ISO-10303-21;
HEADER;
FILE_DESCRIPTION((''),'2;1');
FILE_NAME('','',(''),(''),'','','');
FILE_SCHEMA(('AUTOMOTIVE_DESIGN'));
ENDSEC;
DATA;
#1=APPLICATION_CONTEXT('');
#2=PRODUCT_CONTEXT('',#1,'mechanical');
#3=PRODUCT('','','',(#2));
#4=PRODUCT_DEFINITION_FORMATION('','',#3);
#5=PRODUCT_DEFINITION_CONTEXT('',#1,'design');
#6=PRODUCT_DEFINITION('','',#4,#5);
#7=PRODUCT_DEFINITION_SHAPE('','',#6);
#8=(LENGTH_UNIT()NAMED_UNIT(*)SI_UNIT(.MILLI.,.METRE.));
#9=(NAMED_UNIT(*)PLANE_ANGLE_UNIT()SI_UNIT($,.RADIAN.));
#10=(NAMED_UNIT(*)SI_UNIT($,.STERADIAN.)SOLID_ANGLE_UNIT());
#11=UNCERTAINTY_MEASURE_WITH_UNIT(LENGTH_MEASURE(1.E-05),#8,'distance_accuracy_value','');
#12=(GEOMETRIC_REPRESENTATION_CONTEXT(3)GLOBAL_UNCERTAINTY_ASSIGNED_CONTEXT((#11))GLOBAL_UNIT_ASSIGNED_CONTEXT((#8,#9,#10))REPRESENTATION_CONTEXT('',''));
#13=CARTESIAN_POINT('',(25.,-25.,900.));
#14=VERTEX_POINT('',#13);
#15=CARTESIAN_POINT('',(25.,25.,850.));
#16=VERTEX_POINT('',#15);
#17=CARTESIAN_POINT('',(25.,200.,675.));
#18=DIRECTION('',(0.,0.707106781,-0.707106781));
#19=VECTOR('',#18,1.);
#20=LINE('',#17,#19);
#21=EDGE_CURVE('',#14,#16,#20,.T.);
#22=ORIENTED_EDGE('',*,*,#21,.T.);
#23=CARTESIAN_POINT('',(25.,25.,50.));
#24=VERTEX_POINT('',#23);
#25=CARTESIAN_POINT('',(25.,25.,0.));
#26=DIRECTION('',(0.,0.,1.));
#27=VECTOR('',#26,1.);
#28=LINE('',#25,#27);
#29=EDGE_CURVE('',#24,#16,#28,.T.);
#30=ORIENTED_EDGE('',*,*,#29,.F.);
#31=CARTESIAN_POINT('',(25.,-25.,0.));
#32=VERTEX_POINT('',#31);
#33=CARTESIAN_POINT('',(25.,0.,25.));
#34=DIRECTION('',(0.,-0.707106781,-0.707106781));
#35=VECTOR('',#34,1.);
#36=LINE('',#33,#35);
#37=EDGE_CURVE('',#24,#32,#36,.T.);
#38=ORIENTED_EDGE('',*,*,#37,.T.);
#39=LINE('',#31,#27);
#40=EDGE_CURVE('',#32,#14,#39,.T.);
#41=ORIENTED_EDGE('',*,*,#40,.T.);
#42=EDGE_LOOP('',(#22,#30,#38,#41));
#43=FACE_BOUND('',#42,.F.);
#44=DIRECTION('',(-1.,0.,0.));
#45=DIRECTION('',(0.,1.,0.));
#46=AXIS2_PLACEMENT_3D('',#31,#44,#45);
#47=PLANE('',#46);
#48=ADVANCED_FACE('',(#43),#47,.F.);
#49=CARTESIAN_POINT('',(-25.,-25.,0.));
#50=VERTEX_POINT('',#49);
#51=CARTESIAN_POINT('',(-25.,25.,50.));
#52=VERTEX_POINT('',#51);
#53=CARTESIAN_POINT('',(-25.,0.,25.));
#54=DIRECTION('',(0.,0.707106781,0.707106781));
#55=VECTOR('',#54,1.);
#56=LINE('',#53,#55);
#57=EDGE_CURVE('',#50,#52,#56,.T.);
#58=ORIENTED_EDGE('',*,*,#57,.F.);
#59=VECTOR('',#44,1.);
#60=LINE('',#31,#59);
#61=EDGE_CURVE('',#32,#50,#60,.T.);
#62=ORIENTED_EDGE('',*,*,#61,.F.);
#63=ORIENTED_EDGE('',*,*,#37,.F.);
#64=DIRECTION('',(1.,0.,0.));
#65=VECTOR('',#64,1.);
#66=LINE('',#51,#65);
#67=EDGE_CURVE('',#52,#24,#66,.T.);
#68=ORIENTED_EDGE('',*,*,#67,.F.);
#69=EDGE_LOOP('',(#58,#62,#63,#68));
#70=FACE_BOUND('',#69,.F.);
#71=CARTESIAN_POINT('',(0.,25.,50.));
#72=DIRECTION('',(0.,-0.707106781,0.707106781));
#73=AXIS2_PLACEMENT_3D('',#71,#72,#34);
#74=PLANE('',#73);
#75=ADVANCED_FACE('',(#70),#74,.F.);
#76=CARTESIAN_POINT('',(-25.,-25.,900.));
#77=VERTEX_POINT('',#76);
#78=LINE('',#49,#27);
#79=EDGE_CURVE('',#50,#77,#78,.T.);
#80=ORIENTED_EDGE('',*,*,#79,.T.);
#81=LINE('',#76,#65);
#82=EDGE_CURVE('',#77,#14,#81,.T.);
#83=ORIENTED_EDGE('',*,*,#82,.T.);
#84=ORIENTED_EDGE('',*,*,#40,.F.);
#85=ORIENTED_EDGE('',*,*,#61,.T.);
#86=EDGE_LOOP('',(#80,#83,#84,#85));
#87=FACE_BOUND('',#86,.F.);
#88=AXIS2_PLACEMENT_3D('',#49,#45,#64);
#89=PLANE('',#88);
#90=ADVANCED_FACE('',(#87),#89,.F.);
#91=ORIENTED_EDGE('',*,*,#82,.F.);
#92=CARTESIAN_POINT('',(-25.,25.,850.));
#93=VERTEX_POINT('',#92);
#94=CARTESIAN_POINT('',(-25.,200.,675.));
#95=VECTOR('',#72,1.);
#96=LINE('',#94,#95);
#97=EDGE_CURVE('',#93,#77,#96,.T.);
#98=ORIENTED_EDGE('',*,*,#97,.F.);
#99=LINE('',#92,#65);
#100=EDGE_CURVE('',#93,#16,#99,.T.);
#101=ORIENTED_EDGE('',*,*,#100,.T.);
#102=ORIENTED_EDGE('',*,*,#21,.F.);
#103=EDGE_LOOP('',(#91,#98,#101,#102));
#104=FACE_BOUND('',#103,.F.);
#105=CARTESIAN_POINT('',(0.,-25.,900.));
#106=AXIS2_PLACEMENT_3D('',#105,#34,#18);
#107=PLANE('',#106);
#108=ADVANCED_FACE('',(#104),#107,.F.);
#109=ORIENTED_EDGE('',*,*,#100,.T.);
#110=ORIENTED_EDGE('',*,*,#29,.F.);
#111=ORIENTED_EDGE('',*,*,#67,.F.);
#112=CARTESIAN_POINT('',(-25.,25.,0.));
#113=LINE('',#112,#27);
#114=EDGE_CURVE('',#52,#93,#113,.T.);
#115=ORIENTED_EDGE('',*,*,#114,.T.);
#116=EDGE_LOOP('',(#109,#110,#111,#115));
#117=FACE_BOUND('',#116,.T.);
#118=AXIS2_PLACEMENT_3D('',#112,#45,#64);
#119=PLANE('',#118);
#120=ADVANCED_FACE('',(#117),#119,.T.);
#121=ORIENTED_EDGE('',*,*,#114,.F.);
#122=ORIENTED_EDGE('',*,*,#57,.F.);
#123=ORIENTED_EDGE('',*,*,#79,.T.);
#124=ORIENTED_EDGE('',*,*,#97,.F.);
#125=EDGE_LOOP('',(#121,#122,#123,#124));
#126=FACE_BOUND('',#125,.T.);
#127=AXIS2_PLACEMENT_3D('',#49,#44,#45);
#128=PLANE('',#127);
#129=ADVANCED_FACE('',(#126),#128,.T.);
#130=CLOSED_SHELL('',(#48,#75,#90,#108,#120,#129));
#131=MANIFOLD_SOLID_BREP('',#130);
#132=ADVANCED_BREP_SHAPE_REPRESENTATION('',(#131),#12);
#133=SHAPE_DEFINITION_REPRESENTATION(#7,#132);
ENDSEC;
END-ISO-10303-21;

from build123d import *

# Parameters (mm, degrees)
F0_W          = 50
F0_H          = 50
F1_DEPTH      = 900
F3_DEPTH      = 25.001
F3_DEPTH_BACK = 25.001
F5_DEPTH      = 25.001
F5_DEPTH_BACK = 25.001


with BuildPart() as f1:
    # F0 (on Top) → F1 (new body)
    with BuildSketch(Plane.XY):
        Rectangle(F0_W, F0_H)
    extrude(amount=F1_DEPTH)

    # F2 (on Right) → F3 (cut, two sides)
    with BuildSketch(Plane.YZ) as f3_sk:
        Polygon((135.3058686236, 900), (-25, 900), (135.3058686236, 739.6941313764), align=None)
    extrude(amount=-F3_DEPTH, mode=Mode.SUBTRACT)
    extrude(f3_sk.sketch, amount=F3_DEPTH_BACK, mode=Mode.SUBTRACT)

    # F4 (on Right) → F5 (cut, two sides)
    with BuildSketch(Plane.YZ) as f5_sk:
        Polygon((25, 50), (-25, 0), (25, 0), align=None)
    extrude(amount=-F5_DEPTH, mode=Mode.SUBTRACT)
    extrude(f5_sk.sketch, amount=F5_DEPTH_BACK, mode=Mode.SUBTRACT)


solid = f1.part
